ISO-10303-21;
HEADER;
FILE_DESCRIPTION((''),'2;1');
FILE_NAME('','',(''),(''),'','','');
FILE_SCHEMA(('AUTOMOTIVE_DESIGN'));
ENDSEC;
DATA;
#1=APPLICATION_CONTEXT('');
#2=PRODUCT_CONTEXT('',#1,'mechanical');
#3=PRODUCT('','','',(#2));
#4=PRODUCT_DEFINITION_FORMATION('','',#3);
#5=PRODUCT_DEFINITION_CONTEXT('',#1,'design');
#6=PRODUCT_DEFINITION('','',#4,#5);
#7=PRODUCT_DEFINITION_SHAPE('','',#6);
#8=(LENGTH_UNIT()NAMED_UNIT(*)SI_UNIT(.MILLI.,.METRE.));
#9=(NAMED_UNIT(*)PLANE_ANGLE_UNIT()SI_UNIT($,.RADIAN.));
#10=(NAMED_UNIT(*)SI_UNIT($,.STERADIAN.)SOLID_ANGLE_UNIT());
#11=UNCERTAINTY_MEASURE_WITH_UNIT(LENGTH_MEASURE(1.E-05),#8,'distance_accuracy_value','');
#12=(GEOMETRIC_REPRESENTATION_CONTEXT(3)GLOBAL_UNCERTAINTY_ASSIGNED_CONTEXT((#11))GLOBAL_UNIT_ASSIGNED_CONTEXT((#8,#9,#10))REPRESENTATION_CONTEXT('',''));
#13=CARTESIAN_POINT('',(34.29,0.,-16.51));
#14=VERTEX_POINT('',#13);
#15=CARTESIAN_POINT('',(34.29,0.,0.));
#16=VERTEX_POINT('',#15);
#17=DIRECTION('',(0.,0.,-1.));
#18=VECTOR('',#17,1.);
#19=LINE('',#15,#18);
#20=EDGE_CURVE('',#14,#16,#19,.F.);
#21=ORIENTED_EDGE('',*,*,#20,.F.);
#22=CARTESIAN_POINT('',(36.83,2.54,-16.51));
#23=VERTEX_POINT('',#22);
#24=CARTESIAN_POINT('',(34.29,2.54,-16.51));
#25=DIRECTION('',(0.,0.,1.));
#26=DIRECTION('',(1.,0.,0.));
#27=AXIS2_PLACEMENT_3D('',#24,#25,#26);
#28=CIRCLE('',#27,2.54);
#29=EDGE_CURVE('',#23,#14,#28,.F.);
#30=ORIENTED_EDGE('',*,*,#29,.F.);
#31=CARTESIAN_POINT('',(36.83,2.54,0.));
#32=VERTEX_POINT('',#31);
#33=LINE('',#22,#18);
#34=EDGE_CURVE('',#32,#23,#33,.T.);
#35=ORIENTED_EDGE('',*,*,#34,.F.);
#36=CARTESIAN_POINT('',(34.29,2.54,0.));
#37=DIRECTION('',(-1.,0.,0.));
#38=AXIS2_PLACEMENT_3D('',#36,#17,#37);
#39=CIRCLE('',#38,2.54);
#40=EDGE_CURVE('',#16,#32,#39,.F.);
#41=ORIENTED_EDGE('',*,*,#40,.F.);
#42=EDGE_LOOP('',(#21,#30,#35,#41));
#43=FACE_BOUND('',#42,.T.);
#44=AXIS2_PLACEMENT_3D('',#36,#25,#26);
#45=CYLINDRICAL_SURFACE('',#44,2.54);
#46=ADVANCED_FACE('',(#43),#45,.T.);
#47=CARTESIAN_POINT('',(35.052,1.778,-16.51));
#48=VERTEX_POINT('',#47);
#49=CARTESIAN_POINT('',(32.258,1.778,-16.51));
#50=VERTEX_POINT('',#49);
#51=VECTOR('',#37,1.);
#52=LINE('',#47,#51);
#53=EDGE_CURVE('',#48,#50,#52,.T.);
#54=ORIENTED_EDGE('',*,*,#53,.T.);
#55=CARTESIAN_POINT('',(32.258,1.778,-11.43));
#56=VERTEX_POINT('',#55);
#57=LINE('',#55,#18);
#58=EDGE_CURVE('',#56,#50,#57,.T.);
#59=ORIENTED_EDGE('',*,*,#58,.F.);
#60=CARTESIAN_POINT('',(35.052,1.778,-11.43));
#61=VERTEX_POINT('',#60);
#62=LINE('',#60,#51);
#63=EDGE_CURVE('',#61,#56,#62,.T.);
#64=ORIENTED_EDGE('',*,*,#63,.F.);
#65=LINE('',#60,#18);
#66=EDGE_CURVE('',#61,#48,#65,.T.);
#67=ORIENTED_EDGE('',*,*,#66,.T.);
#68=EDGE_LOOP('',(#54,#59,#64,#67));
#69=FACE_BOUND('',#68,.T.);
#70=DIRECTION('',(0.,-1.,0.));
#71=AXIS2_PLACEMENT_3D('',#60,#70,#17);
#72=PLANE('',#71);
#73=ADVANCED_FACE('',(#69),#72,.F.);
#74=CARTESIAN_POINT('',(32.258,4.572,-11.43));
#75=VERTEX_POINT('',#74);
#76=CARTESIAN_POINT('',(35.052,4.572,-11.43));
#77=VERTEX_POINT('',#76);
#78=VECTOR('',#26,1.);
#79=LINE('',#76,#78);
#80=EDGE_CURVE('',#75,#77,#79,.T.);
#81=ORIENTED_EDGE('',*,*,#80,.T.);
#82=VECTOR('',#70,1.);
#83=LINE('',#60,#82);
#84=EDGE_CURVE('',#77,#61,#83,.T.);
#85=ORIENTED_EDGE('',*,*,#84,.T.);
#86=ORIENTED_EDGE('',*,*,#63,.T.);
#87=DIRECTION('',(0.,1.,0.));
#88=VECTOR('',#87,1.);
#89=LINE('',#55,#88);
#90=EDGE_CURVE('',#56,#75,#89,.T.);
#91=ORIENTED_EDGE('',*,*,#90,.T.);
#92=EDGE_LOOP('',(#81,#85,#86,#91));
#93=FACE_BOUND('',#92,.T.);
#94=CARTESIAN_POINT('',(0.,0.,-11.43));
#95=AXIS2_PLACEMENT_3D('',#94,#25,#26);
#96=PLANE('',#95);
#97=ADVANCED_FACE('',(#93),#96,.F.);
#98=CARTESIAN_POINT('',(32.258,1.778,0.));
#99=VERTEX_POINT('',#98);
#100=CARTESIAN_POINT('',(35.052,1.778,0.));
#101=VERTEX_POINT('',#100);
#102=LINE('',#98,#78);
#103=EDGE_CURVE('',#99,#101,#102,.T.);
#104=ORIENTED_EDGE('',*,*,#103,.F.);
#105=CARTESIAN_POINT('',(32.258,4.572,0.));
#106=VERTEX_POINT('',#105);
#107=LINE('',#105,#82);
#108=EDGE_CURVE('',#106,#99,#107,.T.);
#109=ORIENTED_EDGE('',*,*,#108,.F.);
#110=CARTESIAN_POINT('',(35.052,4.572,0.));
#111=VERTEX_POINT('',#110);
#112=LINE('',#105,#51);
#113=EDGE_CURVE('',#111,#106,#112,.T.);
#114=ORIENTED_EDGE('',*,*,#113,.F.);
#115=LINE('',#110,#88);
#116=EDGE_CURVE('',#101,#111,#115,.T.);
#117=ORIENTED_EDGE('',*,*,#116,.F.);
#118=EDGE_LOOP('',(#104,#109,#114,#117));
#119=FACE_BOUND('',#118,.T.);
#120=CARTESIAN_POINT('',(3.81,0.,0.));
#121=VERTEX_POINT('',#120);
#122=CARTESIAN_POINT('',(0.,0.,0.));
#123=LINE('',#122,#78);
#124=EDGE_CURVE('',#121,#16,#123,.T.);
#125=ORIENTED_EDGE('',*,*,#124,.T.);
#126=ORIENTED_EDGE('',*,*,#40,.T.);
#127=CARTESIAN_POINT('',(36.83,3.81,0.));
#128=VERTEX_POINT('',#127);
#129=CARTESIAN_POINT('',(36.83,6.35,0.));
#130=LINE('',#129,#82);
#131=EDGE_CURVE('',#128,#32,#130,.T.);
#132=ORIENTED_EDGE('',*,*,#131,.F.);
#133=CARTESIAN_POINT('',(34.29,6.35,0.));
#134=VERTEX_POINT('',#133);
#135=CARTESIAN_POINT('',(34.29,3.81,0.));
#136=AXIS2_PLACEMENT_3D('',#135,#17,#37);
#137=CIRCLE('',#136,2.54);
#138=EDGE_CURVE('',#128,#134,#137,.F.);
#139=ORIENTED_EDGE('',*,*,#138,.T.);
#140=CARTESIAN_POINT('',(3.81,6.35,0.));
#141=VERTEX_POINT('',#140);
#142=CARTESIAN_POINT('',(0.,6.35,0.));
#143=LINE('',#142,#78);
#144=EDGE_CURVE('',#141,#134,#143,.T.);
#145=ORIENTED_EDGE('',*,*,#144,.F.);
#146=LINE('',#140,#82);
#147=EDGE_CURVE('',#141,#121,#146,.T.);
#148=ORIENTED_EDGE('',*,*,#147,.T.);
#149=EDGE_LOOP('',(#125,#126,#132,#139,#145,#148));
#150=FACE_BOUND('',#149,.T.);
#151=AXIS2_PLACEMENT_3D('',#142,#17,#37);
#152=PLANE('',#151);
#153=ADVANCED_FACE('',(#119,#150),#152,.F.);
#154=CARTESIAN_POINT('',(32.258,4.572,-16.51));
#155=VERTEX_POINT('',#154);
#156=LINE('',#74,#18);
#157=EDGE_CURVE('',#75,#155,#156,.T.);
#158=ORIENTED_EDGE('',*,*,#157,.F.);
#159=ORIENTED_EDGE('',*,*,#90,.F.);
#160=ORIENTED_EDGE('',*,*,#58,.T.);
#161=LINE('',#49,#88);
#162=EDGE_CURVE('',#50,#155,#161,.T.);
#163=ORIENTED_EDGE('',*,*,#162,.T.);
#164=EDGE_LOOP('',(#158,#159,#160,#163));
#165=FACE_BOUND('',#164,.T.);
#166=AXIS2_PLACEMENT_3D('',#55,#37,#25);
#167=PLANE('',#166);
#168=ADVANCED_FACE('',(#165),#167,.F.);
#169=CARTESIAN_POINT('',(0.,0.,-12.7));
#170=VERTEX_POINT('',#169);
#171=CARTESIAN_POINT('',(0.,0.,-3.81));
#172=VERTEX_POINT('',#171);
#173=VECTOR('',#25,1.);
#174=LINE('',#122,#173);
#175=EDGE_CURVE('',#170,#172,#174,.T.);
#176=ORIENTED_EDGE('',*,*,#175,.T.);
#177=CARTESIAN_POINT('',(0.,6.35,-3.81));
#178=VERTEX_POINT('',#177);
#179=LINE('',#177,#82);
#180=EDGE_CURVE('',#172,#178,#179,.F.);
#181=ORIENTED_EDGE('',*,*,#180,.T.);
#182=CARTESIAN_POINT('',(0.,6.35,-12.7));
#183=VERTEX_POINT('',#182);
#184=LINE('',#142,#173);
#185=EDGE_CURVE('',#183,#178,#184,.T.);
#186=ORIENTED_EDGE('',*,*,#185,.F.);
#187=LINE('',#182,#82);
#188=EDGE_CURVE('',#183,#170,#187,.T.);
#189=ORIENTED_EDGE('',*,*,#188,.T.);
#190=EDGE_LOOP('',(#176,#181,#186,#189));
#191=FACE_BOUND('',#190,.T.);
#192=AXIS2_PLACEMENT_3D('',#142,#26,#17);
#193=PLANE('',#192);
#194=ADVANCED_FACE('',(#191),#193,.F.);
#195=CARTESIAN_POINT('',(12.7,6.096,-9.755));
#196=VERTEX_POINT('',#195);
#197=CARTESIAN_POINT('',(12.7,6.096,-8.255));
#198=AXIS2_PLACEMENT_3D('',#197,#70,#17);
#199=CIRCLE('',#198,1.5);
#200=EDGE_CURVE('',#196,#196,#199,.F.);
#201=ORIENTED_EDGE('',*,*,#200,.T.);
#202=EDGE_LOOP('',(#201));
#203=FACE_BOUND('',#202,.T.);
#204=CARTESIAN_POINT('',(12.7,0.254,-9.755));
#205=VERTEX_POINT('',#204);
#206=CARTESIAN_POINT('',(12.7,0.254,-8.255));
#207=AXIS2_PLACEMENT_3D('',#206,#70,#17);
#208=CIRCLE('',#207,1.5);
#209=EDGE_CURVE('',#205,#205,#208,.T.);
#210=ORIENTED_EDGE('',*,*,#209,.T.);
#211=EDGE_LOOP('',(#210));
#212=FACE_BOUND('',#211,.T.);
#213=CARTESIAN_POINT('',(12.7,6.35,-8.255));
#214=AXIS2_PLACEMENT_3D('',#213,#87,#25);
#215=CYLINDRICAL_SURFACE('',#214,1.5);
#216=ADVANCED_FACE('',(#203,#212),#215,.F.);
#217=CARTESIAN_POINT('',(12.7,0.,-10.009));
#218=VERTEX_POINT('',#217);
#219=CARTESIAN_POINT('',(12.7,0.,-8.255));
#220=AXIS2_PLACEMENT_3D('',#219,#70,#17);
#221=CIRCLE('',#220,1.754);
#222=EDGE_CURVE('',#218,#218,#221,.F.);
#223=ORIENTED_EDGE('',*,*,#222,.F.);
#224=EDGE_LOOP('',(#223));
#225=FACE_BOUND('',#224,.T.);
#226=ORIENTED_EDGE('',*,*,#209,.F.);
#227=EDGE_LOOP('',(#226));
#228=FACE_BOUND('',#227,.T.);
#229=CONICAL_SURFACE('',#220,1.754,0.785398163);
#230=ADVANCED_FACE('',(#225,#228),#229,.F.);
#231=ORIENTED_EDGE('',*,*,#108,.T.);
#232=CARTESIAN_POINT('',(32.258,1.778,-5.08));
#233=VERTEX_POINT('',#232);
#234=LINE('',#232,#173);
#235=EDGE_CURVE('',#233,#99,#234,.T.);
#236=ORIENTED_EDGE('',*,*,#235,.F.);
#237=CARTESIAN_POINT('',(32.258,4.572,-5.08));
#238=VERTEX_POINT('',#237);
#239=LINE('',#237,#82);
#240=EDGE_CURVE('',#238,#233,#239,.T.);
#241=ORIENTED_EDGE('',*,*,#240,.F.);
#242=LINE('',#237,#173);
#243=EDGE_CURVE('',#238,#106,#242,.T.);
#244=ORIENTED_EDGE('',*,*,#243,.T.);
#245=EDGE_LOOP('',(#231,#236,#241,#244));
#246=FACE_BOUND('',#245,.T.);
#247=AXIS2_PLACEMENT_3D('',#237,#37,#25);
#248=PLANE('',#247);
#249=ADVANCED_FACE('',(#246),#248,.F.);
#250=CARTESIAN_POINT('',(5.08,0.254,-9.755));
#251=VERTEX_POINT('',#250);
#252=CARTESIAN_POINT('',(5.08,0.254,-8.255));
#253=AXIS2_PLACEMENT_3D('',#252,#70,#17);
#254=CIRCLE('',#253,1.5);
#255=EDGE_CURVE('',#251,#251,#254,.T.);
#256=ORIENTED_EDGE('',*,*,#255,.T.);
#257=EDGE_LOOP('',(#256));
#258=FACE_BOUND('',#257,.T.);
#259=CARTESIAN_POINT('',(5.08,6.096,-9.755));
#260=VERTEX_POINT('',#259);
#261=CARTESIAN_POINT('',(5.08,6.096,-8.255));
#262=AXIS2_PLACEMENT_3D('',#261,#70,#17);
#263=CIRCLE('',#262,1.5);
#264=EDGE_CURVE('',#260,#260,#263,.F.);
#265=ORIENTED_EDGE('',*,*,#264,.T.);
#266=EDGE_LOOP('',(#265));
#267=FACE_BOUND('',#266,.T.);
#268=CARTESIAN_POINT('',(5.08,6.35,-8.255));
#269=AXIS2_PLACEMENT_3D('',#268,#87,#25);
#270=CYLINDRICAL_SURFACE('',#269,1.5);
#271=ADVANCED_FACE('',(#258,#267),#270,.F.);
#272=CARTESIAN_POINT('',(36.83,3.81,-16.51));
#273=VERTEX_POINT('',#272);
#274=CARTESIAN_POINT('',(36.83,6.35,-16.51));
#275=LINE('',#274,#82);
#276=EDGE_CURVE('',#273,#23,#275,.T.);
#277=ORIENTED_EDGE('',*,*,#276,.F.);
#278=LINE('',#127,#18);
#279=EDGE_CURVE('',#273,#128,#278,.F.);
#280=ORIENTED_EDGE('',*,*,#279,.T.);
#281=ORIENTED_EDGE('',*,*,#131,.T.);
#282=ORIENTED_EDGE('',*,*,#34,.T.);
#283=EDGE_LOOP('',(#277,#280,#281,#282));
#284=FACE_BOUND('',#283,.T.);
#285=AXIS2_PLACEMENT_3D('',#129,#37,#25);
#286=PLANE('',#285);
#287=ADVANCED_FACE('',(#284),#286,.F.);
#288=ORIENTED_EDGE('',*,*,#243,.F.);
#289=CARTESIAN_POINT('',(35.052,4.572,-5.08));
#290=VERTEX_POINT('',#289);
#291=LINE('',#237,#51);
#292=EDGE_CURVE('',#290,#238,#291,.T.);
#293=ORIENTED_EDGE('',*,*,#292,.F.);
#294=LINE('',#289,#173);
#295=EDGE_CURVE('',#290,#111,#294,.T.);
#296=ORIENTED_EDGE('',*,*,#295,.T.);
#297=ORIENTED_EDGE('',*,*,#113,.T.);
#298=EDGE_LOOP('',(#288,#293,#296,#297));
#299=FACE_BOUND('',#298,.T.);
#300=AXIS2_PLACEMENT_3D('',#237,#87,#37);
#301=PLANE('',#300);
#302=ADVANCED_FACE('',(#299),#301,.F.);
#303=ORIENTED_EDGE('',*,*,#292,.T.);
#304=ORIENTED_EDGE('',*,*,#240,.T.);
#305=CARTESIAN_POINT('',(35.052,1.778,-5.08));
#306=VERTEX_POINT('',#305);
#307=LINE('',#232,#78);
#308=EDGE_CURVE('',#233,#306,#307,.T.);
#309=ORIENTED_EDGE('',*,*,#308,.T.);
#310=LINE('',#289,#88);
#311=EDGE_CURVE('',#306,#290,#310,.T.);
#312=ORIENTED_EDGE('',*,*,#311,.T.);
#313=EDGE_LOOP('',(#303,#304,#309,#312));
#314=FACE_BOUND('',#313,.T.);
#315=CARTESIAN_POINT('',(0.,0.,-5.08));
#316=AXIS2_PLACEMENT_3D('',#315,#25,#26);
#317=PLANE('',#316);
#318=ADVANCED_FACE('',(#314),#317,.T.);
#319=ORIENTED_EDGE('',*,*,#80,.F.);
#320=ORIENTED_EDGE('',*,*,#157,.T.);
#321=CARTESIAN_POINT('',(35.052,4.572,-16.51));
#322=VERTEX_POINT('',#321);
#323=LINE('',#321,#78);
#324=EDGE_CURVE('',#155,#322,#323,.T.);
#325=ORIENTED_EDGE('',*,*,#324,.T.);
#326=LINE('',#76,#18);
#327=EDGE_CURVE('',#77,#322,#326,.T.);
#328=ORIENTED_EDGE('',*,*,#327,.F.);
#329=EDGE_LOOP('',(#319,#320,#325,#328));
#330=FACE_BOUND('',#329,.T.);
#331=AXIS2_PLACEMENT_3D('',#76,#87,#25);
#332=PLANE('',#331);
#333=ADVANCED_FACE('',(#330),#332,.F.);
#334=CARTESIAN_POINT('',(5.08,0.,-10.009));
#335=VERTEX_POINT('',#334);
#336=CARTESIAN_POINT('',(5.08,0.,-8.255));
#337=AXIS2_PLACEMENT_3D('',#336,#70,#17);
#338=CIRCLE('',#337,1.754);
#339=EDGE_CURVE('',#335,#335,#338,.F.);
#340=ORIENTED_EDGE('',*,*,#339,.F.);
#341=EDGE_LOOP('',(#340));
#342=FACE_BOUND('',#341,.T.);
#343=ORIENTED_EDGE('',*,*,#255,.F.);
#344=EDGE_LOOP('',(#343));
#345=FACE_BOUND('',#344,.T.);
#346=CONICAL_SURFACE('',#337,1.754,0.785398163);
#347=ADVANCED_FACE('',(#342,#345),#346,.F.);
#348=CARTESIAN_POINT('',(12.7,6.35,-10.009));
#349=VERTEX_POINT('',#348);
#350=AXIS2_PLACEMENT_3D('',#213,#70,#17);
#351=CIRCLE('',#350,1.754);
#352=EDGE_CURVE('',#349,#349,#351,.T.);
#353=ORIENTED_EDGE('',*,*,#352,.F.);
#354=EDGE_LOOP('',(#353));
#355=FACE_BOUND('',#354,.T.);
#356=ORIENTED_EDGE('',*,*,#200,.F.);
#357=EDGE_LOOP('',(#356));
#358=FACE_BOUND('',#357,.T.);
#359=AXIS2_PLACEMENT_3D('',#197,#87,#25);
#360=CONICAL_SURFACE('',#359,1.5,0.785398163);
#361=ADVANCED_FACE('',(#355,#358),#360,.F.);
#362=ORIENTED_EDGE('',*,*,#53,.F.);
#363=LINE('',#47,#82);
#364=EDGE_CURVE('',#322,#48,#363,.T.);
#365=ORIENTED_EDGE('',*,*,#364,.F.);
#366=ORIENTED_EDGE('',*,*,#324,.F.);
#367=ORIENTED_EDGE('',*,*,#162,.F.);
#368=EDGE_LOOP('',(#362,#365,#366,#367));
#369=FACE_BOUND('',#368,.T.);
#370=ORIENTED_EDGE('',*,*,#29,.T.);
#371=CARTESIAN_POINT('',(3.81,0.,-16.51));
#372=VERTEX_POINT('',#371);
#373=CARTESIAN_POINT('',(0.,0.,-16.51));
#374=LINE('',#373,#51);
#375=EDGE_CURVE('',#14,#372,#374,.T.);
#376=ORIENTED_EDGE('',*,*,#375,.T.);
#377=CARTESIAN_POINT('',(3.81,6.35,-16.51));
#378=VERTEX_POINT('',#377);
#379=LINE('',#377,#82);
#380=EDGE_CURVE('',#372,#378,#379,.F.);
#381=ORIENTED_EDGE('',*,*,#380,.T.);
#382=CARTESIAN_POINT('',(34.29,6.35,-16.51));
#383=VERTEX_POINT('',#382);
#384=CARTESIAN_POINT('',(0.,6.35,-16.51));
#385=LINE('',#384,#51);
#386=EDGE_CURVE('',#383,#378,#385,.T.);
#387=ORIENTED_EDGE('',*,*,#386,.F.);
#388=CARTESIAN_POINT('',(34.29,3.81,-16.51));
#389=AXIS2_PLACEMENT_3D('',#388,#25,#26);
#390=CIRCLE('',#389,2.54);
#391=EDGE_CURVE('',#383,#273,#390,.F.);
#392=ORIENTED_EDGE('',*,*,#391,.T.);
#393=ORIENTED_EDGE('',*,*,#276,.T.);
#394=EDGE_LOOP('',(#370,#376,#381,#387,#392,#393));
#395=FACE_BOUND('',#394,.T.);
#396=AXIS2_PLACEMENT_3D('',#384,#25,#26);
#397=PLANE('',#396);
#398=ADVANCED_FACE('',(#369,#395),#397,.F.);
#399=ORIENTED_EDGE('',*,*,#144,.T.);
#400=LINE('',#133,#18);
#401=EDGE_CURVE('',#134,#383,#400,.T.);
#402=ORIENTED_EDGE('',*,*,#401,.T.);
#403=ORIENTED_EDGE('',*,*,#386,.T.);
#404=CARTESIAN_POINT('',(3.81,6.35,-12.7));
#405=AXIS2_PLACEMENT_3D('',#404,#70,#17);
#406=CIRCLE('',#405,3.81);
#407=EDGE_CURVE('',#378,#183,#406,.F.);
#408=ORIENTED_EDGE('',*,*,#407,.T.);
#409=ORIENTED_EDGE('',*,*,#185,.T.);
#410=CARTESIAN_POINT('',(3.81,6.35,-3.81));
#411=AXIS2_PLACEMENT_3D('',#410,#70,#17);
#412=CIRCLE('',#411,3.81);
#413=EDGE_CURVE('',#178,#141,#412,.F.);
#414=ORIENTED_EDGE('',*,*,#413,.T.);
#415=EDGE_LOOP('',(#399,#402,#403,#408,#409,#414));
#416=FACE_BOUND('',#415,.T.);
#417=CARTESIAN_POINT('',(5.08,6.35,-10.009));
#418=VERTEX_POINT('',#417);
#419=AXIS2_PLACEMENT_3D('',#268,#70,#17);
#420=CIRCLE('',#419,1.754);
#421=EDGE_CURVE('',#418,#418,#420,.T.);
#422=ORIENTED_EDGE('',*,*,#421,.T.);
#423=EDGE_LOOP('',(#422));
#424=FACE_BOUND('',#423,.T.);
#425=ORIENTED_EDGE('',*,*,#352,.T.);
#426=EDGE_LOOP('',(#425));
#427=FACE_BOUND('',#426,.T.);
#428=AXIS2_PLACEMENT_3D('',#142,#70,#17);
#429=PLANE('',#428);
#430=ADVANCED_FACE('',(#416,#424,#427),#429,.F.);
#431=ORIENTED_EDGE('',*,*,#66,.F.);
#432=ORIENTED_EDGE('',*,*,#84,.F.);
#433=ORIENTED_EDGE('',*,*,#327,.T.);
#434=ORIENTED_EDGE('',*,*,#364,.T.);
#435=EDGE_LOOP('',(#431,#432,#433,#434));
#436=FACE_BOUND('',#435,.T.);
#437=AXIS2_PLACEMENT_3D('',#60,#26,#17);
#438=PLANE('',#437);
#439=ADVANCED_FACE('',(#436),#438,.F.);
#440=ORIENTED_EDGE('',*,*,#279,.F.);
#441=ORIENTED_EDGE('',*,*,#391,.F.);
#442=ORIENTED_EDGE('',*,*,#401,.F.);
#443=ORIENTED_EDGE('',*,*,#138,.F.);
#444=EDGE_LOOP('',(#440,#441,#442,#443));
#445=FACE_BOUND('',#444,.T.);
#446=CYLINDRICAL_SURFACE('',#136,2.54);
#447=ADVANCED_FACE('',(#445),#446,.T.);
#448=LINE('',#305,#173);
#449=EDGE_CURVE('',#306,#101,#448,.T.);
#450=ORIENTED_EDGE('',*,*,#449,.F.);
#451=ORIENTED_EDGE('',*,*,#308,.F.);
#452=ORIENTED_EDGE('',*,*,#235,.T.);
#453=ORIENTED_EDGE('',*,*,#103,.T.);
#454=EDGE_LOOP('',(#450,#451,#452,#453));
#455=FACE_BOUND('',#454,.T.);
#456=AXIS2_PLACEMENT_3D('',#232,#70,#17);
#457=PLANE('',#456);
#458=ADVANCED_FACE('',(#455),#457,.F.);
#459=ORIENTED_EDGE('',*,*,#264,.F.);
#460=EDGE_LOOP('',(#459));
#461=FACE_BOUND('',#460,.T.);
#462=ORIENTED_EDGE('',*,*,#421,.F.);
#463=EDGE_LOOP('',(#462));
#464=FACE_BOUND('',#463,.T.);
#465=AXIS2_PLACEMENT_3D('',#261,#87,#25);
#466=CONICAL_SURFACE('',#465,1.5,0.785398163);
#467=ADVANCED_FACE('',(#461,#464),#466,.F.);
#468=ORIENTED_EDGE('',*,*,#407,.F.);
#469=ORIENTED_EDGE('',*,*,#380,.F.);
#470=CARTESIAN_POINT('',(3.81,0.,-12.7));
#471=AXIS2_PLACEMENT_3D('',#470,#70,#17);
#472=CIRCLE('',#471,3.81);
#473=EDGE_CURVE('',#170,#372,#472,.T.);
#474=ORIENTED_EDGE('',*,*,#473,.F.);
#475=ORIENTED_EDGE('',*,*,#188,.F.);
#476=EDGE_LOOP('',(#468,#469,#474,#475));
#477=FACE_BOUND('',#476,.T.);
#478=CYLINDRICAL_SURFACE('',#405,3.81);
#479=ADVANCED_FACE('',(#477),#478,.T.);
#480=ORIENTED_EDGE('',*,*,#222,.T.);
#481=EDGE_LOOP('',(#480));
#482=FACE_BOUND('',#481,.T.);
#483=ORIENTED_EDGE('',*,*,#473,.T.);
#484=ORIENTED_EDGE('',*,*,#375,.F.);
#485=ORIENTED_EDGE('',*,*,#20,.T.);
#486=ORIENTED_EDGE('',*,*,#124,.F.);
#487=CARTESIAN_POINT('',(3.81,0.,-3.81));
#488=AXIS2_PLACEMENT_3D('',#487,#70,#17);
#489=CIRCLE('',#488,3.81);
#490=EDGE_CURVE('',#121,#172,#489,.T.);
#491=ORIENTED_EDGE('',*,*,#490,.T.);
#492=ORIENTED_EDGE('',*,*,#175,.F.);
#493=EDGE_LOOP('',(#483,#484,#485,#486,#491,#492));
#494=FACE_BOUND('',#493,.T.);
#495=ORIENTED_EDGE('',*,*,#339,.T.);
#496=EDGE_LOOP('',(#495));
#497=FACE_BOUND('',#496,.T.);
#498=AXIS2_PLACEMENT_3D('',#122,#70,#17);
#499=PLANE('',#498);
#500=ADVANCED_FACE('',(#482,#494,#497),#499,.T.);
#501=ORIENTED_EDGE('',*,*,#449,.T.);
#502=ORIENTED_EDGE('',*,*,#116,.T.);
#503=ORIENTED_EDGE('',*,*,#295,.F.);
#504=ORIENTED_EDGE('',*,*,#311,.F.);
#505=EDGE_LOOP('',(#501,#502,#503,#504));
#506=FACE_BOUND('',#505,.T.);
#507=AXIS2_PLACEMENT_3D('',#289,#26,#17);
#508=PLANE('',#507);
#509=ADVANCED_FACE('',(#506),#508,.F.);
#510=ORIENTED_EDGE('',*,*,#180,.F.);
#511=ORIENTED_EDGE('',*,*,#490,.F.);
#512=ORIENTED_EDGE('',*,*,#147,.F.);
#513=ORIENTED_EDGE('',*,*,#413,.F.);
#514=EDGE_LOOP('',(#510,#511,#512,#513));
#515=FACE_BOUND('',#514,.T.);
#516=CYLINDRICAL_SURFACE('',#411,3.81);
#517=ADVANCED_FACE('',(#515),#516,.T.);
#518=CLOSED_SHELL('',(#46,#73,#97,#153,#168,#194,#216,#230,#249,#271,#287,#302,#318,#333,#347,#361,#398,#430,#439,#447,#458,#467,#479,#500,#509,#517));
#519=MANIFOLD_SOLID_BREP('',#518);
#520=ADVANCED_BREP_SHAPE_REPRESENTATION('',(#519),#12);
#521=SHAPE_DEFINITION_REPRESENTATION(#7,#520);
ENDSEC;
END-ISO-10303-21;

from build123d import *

# Parameters (mm, degrees)
SKETCH1_W             = 36.83
SKETCH1_H             = 16.51
BOSS_EXTRUDE1_DEPTH   = 6.35
F_3_0MM_DOWEL_HOLE1_D = 3
CHAMFER1_SIZE         = 0.254
FILLET2_R             = 3.81
SKETCH24_W            = 2.794
SKETCH24_H            = 2.794
CUT_EXTRUDE7_DEPTH    = 5.08
SKETCH25_W            = 2.794
SKETCH25_H            = 2.794
CUT_EXTRUDE8_DEPTH    = 5.08
FILLET7_R             = 2.54


with BuildPart() as part:
    # Sketch1 → Boss-Extrude1 (new body)
    with BuildSketch(Plane(origin=(0, 0, 0), x_dir=(1, 0, 0), z_dir=(0, 1, 0))):
        with Locations((18.415, 8.255)):
            Rectangle(SKETCH1_W, SKETCH1_H)
    extrude(amount=BOSS_EXTRUDE1_DEPTH)

    # Ø3.0mm Dowel Hole1 (through all)
    with Locations(Plane(origin=(0, 6.35, 0), x_dir=(1, 0, 0), z_dir=(0, 1, 0))):
        with Locations((5.08, 8.255), (12.7, 8.255)):
            Hole(F_3_0MM_DOWEL_HOLE1_D / 2)

    # Chamfer1
    chamfer1_edges = [part.edges().sort_by_distance(p)[0] for p in [
        (14.2, 6.35, -8.255),
        (14.2, 0, -8.255),
        (6.58, 6.35, -8.255),
        (6.58, 0, -8.255),
    ]]
    chamfer(chamfer1_edges, length=CHAMFER1_SIZE)

    # Fillet2
    fillet2_edges = [part.edges().sort_by_distance(p)[0] for p in [
        (0, 3.175, -16.51),
        (0, 3.175, 0),
    ]]
    fillet(fillet2_edges, radius=FILLET2_R)

    # Sketch24 → Cut-Extrude7 (cut)
    with BuildSketch(Plane.XY):
        with Locations((33.655, 3.175)):
            Rectangle(SKETCH24_W, SKETCH24_H)
    extrude(amount=-CUT_EXTRUDE7_DEPTH, mode=Mode.SUBTRACT)

    # Sketch25 → Cut-Extrude8 (cut)
    with BuildSketch(Plane(origin=(0, 0, -16.51), x_dir=(-1, 0, 0), z_dir=(0, 0, -1))):
        with Locations((-33.655, 3.175)):
            Rectangle(SKETCH25_W, SKETCH25_H)
    extrude(amount=-CUT_EXTRUDE8_DEPTH, mode=Mode.SUBTRACT)

    # Fillet7
    fillet7_edges = [part.edges().sort_by_distance(p)[0] for p in [
        (36.83, 6.35, -8.255),
        (36.83, 0, -8.255),
    ]]
    fillet(fillet7_edges, radius=FILLET7_R)


solid = part.part
